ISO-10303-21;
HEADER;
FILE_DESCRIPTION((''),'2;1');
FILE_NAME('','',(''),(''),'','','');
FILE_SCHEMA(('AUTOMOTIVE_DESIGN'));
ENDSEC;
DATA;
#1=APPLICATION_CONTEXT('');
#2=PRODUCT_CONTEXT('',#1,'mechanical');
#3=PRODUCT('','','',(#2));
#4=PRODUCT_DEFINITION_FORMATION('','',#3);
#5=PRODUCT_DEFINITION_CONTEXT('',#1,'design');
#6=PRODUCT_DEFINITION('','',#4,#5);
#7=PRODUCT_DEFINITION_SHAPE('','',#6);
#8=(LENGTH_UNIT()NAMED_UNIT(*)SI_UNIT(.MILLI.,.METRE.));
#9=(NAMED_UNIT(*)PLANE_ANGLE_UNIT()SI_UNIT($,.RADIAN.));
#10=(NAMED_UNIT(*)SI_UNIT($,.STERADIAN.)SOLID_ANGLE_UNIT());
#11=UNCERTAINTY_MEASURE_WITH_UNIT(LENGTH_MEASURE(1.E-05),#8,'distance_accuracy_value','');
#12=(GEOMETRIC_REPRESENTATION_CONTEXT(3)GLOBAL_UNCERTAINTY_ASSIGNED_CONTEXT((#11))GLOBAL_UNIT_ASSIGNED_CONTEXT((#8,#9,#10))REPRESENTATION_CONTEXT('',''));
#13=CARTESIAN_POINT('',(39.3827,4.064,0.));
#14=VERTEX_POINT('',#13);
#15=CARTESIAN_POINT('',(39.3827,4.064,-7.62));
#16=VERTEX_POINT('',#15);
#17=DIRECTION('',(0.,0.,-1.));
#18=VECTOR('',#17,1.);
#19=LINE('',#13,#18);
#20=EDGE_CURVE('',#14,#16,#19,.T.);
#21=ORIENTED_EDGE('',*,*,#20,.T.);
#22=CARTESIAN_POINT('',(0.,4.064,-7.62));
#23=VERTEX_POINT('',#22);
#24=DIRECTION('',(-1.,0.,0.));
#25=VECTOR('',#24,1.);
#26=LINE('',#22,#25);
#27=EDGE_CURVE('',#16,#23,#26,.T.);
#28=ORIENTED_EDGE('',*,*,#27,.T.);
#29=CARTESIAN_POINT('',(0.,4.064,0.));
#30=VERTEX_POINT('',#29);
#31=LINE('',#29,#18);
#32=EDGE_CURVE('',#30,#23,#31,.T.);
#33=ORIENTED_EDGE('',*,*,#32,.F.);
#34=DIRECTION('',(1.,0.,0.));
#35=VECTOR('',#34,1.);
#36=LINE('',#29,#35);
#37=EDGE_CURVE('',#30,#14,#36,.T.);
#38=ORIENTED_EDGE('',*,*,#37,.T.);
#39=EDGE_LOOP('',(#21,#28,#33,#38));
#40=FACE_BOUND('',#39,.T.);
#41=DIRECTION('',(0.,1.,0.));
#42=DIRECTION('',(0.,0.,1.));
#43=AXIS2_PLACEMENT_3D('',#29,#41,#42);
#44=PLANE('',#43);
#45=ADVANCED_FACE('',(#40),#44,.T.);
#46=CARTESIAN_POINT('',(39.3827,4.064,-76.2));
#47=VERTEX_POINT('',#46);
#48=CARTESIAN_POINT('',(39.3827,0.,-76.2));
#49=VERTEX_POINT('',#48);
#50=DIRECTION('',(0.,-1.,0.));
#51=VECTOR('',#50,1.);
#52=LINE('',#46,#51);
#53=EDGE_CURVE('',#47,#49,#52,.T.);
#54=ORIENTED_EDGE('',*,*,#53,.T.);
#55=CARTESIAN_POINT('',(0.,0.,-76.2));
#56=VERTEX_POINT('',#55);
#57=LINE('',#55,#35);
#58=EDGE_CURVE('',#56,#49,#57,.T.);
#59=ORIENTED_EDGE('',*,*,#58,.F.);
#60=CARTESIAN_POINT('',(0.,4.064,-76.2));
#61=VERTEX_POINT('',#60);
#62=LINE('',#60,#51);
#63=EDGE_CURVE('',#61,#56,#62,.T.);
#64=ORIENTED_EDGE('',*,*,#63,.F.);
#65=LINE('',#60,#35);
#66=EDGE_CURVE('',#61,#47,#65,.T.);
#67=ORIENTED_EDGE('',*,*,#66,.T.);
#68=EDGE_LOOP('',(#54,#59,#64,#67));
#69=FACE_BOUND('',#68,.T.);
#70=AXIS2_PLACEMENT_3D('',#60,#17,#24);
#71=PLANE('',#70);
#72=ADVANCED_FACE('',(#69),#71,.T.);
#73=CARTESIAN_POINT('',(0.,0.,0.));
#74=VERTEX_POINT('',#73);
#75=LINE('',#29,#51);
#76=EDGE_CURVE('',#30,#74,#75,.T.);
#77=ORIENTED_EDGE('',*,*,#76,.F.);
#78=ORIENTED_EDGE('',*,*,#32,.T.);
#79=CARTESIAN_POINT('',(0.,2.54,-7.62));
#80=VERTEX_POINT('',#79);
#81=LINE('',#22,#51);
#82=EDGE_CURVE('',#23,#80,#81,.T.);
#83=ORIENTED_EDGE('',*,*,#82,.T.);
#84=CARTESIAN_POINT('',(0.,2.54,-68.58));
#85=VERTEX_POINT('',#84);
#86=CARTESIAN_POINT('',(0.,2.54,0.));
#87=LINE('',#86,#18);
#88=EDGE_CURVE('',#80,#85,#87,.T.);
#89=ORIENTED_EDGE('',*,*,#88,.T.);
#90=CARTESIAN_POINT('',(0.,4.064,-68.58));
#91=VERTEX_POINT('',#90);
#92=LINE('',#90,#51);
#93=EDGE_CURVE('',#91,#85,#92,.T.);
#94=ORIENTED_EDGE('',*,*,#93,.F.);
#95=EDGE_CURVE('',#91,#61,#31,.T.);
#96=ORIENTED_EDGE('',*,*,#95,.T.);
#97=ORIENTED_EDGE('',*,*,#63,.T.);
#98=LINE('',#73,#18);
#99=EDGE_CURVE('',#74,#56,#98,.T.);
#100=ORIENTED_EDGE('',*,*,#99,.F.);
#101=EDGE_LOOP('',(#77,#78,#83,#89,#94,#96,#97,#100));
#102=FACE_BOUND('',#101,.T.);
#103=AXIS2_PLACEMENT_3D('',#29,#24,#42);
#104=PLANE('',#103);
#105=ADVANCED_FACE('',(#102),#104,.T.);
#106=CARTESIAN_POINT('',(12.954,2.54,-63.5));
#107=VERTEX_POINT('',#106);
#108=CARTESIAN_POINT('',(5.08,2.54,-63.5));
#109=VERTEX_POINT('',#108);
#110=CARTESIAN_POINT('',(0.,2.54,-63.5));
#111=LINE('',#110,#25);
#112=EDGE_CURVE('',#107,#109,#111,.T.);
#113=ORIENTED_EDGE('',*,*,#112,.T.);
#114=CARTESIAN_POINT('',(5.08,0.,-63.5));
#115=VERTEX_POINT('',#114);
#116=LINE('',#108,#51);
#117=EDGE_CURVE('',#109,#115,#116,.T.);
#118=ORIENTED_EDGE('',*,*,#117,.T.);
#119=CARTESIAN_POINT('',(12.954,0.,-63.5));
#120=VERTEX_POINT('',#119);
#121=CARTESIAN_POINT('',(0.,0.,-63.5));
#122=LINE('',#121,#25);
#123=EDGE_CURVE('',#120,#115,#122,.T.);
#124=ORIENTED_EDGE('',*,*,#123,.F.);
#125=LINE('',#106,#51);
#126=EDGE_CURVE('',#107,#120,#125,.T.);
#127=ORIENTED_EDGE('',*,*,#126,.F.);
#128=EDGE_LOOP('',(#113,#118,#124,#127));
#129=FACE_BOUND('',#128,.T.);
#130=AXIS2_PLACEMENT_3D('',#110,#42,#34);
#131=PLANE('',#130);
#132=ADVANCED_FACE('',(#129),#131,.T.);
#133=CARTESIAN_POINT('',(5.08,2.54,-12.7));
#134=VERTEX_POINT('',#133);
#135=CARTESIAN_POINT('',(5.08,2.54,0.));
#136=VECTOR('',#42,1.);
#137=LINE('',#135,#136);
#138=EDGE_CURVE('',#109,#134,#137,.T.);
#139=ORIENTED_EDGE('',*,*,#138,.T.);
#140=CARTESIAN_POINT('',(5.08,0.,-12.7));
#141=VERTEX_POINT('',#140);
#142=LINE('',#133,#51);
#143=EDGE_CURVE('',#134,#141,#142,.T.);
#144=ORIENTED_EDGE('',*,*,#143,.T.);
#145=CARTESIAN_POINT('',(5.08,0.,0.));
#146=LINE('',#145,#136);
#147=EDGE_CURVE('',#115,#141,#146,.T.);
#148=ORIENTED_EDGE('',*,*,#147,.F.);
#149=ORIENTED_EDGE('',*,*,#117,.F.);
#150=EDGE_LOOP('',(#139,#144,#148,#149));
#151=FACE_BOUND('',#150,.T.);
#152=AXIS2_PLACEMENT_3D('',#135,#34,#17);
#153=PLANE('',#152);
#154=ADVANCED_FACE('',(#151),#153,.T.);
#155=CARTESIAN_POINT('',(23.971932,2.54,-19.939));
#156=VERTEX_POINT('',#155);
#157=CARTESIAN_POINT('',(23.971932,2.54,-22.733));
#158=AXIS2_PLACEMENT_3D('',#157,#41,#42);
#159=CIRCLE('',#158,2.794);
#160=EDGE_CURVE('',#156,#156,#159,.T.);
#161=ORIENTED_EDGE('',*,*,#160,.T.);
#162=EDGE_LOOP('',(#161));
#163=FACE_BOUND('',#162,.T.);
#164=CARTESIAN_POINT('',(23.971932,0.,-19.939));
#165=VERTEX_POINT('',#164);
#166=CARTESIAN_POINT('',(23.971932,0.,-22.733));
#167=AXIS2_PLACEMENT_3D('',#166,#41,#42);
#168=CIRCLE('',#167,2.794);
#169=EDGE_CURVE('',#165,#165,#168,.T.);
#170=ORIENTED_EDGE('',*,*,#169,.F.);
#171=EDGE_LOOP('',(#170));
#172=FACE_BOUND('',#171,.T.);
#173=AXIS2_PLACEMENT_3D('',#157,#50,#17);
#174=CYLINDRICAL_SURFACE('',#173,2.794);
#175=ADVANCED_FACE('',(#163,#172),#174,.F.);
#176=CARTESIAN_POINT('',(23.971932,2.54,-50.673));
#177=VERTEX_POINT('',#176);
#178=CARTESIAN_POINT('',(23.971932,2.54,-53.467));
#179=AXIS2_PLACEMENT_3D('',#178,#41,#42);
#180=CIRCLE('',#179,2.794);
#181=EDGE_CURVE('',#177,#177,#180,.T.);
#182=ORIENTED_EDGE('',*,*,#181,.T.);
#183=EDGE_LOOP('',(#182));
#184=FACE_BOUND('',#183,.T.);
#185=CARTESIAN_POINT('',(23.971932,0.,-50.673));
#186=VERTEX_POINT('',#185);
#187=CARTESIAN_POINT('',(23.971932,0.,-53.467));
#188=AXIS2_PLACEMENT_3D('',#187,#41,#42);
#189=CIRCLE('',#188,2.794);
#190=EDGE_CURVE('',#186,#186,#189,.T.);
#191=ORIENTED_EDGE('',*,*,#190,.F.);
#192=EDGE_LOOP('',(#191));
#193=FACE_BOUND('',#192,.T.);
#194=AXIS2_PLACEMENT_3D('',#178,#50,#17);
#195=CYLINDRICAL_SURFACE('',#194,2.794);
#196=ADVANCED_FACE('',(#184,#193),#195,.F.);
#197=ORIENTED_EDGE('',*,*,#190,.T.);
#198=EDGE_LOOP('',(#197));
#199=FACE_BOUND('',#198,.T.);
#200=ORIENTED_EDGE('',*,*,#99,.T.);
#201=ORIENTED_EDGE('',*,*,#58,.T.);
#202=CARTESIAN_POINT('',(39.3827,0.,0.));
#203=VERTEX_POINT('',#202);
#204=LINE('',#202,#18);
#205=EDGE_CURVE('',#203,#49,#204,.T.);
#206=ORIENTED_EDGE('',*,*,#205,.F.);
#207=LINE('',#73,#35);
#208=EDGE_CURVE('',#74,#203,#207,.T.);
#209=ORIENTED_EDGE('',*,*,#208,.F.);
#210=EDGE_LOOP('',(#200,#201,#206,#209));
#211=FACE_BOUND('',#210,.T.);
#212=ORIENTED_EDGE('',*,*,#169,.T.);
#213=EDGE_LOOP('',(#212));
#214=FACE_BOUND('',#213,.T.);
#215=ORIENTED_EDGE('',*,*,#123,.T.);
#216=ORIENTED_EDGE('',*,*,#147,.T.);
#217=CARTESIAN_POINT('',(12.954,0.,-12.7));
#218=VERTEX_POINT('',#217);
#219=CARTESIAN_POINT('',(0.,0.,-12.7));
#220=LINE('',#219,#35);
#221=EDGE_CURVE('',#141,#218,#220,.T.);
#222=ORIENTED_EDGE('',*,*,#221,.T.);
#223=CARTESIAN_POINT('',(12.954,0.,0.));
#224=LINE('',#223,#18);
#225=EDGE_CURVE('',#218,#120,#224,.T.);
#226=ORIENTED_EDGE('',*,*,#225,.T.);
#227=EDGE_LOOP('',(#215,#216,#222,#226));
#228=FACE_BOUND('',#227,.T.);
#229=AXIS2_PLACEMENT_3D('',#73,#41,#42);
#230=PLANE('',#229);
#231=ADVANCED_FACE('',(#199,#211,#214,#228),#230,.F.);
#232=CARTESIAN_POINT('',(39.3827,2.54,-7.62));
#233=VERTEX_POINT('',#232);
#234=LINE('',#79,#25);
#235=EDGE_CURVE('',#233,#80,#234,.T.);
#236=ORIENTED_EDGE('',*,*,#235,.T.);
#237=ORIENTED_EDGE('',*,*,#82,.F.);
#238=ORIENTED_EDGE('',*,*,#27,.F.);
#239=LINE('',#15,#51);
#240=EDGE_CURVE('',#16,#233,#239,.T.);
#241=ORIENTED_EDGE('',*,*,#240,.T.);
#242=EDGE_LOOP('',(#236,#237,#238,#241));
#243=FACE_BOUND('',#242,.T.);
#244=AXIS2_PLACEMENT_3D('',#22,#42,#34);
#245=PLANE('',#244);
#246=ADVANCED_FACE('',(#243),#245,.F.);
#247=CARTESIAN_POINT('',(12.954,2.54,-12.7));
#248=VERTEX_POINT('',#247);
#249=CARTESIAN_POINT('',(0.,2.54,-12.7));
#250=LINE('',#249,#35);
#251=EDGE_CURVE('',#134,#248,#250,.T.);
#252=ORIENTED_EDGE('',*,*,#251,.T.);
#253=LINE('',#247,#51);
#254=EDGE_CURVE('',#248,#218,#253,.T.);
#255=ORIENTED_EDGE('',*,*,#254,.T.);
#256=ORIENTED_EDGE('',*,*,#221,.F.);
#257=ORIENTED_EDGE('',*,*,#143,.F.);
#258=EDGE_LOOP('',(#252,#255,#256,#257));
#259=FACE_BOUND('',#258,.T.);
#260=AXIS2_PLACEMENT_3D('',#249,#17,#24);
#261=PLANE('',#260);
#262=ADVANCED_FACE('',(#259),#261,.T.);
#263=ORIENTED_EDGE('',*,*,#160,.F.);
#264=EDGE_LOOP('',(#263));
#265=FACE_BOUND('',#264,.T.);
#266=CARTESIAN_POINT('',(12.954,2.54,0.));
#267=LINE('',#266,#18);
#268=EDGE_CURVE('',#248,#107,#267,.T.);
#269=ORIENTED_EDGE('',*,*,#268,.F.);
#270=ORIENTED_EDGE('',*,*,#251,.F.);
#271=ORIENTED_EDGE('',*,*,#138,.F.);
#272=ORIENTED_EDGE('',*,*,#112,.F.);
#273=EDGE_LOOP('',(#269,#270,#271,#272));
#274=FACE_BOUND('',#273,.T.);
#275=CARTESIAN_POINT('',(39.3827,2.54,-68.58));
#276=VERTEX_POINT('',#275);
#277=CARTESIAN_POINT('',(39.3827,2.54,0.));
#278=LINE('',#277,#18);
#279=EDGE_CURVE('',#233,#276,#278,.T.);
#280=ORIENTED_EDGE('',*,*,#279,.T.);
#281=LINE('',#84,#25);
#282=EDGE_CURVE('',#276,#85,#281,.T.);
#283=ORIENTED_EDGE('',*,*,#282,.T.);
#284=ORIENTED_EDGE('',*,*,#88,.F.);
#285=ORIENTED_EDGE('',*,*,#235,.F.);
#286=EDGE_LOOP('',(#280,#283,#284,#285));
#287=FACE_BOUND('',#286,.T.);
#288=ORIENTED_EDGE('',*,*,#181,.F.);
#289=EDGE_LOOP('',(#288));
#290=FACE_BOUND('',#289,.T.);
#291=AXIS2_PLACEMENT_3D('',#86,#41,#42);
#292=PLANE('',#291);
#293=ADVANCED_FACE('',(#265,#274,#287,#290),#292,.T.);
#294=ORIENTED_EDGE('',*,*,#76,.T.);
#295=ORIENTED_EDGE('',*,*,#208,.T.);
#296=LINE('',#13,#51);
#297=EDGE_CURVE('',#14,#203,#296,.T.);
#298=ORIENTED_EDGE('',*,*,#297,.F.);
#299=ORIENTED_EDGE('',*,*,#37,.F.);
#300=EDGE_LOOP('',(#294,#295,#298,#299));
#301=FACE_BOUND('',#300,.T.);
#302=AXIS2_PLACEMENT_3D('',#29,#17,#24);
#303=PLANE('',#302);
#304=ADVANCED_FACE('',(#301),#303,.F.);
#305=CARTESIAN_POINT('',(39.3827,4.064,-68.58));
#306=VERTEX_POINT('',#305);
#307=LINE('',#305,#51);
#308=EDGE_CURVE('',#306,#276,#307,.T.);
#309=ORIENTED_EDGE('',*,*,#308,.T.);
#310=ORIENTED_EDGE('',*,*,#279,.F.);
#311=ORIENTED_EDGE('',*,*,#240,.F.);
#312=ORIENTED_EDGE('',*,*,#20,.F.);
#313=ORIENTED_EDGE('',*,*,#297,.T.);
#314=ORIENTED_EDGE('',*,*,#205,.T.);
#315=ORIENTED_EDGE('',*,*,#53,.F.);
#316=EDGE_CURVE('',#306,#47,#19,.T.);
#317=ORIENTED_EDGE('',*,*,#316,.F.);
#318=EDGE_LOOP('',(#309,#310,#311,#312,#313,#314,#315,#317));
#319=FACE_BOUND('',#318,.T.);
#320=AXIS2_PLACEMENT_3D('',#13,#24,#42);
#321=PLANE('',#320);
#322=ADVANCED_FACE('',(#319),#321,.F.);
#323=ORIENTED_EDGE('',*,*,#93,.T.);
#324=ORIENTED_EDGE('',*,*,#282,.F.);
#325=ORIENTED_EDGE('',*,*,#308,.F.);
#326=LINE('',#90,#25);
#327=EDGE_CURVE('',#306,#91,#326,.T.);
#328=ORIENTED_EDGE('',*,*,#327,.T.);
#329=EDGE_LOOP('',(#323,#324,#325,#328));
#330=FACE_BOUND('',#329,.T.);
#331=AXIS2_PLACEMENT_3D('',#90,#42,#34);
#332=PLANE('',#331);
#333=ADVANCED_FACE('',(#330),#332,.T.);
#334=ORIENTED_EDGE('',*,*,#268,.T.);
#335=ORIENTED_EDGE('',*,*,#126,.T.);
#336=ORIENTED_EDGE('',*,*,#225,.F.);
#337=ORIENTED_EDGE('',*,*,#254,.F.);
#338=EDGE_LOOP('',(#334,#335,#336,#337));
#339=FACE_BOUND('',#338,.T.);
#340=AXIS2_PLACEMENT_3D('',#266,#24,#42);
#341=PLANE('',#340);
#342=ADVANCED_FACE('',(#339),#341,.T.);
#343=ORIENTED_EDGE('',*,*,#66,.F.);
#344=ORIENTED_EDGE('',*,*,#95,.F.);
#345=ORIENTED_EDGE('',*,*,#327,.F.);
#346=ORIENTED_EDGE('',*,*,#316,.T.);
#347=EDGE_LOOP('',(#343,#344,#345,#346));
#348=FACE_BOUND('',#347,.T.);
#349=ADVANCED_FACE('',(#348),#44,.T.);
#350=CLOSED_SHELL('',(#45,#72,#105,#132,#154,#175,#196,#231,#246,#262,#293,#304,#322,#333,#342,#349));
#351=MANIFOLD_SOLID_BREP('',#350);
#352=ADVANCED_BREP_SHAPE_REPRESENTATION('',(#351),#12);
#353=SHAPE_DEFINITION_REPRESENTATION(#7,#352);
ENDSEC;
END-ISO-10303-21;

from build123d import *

# Parameters (mm, degrees)
SKETCH2_W             = 39.3827
SKETCH2_H             = 7.62
BOSS_EXTRUDE2_DEPTH   = 4.064
BOSS_EXTRUDE2_2_DEPTH = 4.064
SKETCH2_3_W           = 39.3827
SKETCH2_3_H           = 60.96
SKETCH2_3_R           = 2.794
BOSS_EXTRUDE3_DEPTH   = 2.54


with BuildPart() as part:
    # Sketch2 → Boss-Extrude2 (new body)
    with BuildSketch(Plane(origin=(0, 0, 0), x_dir=(1, 0, 0), z_dir=(0, 1, 0))):
        with Locations((19.69135, 3.81)):
            Rectangle(SKETCH2_W, SKETCH2_H)
    extrude(amount=BOSS_EXTRUDE2_DEPTH)



with BuildPart() as body_2:
    # Sketch2 → Boss-Extrude2 2 (new body)
    with BuildSketch(Plane(origin=(0, 0, 0), x_dir=(1, 0, 0), z_dir=(0, 1, 0))):
        with Locations((19.69135, 72.39)):
            Rectangle(SKETCH2_W, SKETCH2_H)
    extrude(amount=BOSS_EXTRUDE2_2_DEPTH)


with BuildPart() as part_1:
    add(part.part)

    add(body_2.part)  # Boss-Extrude3 merges body 2
    # Sketch2<3> → Boss-Extrude3 (add)
    with BuildSketch(Plane(origin=(0, 0, 0), x_dir=(1, 0, 0), z_dir=(0, 1, 0))):
        with Locations((19.69135, 38.1)):
            Rectangle(SKETCH2_3_W, SKETCH2_3_H)
        Polygon((12.954, 63.5), (12.954, 38.1), (12.954, 12.7), (5.08, 12.7), (5.08, 63.5), align=None, mode=Mode.SUBTRACT)
        with Locations((23.971932262, 22.733)):
            Circle(SKETCH2_3_R, mode=Mode.SUBTRACT)
        with Locations((23.971932262, 53.467)):
            Circle(SKETCH2_3_R, mode=Mode.SUBTRACT)
    extrude(amount=BOSS_EXTRUDE3_DEPTH)


solid = part_1.part
